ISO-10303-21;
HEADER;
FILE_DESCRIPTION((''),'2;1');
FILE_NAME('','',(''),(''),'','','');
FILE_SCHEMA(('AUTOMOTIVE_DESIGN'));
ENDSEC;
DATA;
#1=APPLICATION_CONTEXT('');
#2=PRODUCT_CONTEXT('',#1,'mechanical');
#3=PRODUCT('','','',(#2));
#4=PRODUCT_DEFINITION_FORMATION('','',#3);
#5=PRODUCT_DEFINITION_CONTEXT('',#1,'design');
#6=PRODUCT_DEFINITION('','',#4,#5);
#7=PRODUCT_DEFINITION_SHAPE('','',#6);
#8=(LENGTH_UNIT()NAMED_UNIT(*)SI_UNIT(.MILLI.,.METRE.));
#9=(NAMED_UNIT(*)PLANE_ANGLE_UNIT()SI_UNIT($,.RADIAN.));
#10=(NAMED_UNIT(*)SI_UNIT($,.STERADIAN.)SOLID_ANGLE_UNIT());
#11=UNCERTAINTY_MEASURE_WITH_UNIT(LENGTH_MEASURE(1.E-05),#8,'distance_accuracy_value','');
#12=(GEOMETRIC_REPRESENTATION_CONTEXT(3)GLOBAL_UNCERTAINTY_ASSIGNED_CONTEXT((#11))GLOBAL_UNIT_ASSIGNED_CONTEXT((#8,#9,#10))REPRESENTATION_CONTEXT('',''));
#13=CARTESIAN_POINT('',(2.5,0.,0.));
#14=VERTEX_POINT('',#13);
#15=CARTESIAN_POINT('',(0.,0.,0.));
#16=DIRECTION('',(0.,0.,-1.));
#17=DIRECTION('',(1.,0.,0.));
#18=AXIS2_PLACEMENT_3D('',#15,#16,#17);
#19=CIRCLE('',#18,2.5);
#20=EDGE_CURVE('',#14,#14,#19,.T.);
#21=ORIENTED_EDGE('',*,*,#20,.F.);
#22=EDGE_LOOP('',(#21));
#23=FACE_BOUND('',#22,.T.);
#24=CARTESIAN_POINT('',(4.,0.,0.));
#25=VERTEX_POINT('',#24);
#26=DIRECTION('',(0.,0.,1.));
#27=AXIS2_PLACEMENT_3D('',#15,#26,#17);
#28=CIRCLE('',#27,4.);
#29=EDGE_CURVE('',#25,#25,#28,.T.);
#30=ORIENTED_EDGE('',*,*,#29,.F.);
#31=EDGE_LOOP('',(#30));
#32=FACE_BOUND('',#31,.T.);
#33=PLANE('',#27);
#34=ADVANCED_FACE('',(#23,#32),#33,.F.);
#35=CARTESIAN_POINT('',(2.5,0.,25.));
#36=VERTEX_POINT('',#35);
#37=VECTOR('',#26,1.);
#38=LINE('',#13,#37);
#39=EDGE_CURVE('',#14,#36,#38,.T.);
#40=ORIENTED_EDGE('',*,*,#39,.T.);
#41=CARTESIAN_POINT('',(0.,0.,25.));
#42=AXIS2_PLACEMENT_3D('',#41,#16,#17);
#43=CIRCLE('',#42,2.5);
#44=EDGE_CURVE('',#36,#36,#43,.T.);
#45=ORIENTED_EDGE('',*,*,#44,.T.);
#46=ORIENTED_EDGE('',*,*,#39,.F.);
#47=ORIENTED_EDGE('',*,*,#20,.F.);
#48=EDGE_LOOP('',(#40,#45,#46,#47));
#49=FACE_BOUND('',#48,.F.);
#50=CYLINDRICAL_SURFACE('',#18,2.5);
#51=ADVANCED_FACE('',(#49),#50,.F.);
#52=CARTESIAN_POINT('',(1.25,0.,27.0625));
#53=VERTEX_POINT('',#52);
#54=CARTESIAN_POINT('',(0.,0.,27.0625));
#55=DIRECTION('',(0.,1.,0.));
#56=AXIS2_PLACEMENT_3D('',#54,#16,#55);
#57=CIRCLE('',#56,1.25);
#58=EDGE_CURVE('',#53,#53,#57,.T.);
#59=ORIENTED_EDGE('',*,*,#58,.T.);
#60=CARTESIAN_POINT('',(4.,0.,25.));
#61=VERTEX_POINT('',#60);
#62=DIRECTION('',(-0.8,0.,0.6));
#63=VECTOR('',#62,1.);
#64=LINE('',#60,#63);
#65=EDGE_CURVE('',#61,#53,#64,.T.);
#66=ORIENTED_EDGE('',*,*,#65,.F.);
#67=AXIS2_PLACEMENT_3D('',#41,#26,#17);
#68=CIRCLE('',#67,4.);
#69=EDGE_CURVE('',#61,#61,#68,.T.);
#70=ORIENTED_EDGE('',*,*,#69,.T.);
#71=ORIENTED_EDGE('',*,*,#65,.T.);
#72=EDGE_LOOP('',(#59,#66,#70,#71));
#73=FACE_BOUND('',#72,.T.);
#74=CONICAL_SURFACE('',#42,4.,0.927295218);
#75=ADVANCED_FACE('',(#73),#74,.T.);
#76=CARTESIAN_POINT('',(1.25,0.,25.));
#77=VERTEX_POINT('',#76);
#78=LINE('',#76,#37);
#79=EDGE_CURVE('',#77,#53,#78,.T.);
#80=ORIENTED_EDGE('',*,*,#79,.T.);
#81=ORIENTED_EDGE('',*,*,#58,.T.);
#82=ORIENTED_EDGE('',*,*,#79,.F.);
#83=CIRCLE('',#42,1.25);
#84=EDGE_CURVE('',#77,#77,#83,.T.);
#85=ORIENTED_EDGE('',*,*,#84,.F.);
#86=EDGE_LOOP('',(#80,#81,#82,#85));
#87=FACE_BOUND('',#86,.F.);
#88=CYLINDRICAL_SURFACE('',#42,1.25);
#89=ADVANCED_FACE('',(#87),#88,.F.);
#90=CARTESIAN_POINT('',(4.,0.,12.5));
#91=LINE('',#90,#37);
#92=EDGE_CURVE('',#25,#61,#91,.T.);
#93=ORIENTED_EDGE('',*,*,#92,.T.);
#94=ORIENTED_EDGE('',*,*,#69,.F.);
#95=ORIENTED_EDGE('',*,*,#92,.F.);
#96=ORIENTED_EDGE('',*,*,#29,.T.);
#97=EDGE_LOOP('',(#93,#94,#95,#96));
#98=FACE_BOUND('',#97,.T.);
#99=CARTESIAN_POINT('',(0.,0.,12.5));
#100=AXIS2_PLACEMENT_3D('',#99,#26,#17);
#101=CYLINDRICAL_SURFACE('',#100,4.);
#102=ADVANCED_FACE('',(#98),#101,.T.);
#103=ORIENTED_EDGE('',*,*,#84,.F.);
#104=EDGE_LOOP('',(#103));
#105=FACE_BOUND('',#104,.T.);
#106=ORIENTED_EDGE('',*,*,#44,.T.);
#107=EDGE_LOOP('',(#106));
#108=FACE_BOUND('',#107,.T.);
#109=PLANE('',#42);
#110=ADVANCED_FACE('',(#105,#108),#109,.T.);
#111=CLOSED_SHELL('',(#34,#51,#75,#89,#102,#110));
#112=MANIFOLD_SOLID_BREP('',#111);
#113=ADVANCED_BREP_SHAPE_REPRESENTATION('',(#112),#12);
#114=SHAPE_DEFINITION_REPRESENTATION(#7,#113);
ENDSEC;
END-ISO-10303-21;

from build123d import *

# Parameters (mm, degrees)
F0_W     = 4
F0_H     = 25
F2_R     = 2.5
F3_DEPTH = 25
F4_R     = 1.25
F5_DEPTH = 25


with BuildPart() as f1:
    # F0 (on Front) → F1 (revolve)
    with BuildSketch(Plane.XZ):
        with Locations((2, 12.5)):
            Rectangle(F0_W, F0_H)
        Polygon((0, 28), (0, 25), (4, 25), align=None)
    revolve(axis=Axis((0, 0, 12.5), (0, 0, 1)))

    # F2 (on face) → F3 (cut)
    with BuildSketch(Plane(origin=(0, 0, 0), x_dir=(1, 0, 0), z_dir=(0, 0, -1))):
        Circle(F2_R)
    extrude(amount=-F3_DEPTH, mode=Mode.SUBTRACT)

    # F4 (on face) → F5 (cut)
    with BuildSketch(Plane(origin=(0, 0, 25), x_dir=(1, 0, 0), z_dir=(0, 0, -1))):
        Circle(F4_R)
    extrude(amount=-F5_DEPTH, mode=Mode.SUBTRACT)


solid = f1.part
